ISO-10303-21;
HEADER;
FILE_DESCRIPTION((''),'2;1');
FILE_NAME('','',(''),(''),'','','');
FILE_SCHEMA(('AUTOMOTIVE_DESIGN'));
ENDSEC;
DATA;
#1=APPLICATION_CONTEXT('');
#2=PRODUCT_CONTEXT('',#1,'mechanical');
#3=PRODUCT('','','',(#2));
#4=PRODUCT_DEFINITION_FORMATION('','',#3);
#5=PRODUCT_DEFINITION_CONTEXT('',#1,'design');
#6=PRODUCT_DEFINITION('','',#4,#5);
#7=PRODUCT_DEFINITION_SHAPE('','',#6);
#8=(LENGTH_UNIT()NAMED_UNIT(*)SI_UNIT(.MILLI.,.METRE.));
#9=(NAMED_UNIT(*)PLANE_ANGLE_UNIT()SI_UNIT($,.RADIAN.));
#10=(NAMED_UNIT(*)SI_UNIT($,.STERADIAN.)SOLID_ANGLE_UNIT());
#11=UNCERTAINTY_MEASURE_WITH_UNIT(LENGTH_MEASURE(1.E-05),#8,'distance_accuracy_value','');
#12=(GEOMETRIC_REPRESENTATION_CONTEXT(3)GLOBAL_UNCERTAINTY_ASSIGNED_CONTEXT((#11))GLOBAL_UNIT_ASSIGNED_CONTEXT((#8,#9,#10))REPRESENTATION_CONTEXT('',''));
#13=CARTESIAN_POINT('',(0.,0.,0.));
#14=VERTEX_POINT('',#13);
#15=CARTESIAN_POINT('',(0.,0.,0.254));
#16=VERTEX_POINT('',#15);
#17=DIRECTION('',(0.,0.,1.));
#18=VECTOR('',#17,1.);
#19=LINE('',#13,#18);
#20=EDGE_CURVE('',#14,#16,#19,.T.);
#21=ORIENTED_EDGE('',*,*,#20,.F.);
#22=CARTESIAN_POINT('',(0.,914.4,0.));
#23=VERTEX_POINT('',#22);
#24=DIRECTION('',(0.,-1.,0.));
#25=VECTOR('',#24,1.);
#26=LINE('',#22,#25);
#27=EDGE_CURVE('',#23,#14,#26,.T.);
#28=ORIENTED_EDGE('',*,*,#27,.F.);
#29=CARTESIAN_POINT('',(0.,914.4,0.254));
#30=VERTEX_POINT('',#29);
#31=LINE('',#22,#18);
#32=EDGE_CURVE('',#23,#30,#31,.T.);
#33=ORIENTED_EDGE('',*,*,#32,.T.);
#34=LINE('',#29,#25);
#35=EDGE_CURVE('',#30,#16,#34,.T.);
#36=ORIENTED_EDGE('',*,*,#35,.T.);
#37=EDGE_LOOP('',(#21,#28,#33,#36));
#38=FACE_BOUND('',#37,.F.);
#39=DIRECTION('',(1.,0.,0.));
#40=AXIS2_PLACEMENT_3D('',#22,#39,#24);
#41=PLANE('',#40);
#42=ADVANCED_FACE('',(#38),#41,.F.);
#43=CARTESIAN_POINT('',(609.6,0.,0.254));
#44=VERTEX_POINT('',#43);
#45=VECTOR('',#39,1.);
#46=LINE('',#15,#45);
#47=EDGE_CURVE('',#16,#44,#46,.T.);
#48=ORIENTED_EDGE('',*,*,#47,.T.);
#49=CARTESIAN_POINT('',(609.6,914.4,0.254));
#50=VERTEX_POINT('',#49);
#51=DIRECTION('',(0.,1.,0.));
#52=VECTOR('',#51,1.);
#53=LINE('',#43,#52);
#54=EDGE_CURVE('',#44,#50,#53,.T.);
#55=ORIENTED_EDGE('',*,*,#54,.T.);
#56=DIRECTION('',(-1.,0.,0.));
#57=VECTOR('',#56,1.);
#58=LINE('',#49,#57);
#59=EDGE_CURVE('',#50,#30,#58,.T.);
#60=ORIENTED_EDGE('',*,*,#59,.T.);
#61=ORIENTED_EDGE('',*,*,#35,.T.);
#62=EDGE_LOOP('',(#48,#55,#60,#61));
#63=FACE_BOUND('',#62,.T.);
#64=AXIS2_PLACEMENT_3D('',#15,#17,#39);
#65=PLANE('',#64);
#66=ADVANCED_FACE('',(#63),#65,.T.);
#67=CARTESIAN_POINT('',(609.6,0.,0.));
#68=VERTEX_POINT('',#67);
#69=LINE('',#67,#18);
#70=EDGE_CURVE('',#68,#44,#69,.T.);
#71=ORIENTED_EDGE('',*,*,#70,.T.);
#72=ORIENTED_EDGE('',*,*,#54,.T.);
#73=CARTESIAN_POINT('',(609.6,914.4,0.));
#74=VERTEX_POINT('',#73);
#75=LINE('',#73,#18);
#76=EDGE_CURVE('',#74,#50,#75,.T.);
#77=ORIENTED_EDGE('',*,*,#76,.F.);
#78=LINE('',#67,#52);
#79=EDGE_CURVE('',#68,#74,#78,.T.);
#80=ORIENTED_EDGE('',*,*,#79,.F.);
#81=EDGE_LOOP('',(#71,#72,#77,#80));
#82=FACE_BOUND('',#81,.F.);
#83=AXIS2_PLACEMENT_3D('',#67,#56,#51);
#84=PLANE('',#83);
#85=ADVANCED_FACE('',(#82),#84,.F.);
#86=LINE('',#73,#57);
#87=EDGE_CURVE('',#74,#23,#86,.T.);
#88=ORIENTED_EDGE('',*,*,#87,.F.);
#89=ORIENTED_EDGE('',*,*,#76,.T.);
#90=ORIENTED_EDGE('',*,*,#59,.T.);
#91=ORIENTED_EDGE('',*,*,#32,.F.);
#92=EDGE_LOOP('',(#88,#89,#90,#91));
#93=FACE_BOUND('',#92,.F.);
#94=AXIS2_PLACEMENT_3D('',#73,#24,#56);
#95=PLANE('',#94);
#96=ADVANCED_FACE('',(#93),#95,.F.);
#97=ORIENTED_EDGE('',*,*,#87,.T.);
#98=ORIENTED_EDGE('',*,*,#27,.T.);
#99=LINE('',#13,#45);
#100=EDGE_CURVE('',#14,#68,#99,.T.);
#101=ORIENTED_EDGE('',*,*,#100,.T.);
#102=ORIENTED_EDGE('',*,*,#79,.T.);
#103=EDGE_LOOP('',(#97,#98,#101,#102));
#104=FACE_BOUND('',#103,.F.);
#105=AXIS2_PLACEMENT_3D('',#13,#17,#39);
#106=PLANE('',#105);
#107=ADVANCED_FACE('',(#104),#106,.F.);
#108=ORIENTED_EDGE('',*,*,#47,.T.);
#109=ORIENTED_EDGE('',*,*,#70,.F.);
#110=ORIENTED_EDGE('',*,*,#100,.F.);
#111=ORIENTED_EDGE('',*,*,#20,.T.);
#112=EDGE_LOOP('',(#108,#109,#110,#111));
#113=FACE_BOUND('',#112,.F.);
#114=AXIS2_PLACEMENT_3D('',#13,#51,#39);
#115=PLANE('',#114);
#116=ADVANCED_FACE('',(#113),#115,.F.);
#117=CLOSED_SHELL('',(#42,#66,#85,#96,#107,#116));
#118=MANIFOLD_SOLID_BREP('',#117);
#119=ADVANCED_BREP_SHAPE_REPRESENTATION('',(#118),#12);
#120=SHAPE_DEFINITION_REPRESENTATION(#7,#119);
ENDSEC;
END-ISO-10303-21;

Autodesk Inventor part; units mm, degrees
ref_plane "YZ Plane" through (0, 0, 0) normal (1, 0, 0) x (0, 1, 0)
ref_plane "XZ Plane" through (0, 0, 0) normal (0, 1, 0) x (-1, 0, 0)
ref_plane "XY Plane" through (0, 0, 0) normal (0, 0, 1) x (1, 0, 0)
sketch "Sketch1" plane through (0, 0, 0) normal (0, 0, 1) x (1, 0, 0)
  line L0 (0, 0) -> (609.6, 0)
  line L1 (609.6, 0) -> (609.6, 914.4)
  line L2 (609.6, 914.4) -> (0, 914.4)
  line L3 (0, 914.4) -> (0, 0)
  dimension "d0" = 609.6
  dimension "d1" = 914.4
extrude "Extrusion1" add sketch "Sketch1" along normal blind 0.254
sketch "Sketch2" plane through (0, 0, 0.254) normal (0, 0, 1) x (1, 0, 0)
  line L0 (0, 0) -> (609.6, 0) projected
  line L1 (609.6, 0) -> (609.6, 914.4) projected
  line L2 (609.6, 914.4) -> (0, 914.4) projected
  line L3 (0, 914.4) -> (0, 0) projected
  line L4 (125.4958, 588.6079) -> (509.7299, 588.6079) construction
  line L5 (509.7299, 588.6079) -> (509.7299, 339.0137) construction
  line L6 (509.7299, 339.0137) -> (125.4958, 339.0137) construction
  line L7 (125.4958, 339.0137) -> (125.4958, 588.6079) construction
  line L8 (199.1824, 873.5297) -> (311.9747, 873.5297) construction
  line L9 (311.9747, 873.5297) -> (311.9747, 744.8866) construction
  line L10 (311.9747, 744.8866) -> (199.1824, 744.8866) construction
  line L11 (199.1824, 744.8866) -> (199.1824, 873.5297) construction
properties part number "banner1"
